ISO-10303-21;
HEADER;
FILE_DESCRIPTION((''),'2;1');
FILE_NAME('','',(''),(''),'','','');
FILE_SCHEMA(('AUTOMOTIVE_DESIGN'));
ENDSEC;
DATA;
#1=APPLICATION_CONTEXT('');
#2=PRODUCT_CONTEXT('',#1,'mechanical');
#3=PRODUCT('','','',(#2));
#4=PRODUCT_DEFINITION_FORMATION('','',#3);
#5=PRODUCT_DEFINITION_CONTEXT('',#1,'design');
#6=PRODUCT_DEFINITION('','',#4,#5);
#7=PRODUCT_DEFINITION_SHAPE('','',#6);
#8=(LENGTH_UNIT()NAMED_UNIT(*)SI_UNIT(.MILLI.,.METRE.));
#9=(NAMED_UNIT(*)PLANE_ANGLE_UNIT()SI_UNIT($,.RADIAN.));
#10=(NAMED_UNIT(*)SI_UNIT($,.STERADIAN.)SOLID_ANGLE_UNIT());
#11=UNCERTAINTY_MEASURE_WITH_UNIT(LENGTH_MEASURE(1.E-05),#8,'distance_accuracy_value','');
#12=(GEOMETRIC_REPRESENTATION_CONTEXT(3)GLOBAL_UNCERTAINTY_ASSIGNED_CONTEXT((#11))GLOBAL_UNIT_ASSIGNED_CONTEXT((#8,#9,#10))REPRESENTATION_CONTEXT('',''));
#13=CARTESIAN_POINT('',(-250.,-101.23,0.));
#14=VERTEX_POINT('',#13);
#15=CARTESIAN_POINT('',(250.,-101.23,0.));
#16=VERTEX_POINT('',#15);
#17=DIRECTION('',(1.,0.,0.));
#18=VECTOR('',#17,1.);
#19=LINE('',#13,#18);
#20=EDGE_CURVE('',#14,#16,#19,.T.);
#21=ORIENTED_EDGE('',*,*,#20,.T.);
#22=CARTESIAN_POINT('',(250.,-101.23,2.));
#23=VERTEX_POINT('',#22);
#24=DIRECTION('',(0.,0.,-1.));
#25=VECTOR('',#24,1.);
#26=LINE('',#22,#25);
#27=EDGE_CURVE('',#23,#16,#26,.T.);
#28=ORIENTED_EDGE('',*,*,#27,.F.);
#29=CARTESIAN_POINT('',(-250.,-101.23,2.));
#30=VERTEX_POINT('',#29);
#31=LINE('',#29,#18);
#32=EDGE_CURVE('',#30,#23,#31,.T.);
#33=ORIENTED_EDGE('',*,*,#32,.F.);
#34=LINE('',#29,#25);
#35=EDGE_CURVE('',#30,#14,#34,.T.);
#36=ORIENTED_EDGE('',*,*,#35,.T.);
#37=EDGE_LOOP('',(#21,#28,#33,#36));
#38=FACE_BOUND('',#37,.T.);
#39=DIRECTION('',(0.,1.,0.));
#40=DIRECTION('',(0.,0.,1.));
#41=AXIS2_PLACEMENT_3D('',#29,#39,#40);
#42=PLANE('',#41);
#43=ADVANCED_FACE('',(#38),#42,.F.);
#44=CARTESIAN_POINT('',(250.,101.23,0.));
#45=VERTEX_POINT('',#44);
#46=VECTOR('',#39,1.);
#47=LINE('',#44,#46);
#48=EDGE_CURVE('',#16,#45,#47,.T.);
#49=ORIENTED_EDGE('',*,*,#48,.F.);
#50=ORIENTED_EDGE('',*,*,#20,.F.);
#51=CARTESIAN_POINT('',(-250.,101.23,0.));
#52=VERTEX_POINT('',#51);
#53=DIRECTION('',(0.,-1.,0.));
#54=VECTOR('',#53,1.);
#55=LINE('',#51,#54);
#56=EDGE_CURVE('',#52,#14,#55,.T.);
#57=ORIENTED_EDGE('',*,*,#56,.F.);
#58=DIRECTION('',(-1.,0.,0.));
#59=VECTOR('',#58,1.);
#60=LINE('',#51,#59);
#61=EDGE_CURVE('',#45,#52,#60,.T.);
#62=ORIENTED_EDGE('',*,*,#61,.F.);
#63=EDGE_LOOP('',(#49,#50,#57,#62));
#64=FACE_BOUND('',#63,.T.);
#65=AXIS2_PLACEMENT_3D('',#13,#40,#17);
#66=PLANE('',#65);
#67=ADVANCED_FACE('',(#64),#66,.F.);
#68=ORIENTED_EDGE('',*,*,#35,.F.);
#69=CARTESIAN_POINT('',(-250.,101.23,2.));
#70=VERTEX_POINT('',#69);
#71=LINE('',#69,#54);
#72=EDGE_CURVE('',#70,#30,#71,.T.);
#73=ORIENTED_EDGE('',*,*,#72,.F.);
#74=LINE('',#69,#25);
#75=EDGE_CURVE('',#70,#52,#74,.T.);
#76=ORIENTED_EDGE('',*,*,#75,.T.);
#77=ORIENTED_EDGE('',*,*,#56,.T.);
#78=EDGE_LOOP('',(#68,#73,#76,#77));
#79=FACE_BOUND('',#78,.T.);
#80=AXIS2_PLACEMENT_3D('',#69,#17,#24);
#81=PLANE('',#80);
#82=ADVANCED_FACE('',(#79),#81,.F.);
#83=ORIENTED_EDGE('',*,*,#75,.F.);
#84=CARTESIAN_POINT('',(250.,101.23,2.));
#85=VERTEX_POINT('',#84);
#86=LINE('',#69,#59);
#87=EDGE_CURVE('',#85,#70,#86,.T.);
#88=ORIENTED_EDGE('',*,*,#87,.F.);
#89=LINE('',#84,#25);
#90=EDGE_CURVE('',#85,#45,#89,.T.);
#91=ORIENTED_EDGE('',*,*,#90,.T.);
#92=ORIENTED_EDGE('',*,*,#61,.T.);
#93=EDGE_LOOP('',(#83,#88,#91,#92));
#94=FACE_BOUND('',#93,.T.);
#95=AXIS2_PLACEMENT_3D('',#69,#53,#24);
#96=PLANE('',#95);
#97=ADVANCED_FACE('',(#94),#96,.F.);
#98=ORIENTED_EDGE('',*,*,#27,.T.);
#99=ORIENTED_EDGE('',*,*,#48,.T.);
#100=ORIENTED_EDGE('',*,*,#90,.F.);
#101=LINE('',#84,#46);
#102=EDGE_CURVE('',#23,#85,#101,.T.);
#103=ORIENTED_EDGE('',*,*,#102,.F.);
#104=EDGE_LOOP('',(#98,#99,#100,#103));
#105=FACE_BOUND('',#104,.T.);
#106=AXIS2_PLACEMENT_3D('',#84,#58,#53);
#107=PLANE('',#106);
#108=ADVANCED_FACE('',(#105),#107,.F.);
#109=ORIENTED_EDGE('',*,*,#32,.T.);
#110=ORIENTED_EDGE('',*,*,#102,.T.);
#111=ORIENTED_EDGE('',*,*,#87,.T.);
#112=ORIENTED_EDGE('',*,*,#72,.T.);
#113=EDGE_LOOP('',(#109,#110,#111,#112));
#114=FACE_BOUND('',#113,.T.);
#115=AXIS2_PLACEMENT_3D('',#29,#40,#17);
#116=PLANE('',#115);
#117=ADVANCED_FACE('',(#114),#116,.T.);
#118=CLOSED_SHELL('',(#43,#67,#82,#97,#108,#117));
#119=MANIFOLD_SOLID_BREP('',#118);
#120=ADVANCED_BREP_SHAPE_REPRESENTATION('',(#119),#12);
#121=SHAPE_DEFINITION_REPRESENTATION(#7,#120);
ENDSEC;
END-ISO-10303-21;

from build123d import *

# Parameters (mm, degrees)
ESBO_O1_W                = 500
ESBO_O1_H                = 202.46
RESSALTO_EXTRUS_O1_DEPTH = 2


with BuildPart() as part:
    # Esboço1 → Ressalto-extrusão1 (new body)
    with BuildSketch(Plane.XY):
        Rectangle(ESBO_O1_W, ESBO_O1_H)
    extrude(amount=RESSALTO_EXTRUS_O1_DEPTH)


solid = part.part
